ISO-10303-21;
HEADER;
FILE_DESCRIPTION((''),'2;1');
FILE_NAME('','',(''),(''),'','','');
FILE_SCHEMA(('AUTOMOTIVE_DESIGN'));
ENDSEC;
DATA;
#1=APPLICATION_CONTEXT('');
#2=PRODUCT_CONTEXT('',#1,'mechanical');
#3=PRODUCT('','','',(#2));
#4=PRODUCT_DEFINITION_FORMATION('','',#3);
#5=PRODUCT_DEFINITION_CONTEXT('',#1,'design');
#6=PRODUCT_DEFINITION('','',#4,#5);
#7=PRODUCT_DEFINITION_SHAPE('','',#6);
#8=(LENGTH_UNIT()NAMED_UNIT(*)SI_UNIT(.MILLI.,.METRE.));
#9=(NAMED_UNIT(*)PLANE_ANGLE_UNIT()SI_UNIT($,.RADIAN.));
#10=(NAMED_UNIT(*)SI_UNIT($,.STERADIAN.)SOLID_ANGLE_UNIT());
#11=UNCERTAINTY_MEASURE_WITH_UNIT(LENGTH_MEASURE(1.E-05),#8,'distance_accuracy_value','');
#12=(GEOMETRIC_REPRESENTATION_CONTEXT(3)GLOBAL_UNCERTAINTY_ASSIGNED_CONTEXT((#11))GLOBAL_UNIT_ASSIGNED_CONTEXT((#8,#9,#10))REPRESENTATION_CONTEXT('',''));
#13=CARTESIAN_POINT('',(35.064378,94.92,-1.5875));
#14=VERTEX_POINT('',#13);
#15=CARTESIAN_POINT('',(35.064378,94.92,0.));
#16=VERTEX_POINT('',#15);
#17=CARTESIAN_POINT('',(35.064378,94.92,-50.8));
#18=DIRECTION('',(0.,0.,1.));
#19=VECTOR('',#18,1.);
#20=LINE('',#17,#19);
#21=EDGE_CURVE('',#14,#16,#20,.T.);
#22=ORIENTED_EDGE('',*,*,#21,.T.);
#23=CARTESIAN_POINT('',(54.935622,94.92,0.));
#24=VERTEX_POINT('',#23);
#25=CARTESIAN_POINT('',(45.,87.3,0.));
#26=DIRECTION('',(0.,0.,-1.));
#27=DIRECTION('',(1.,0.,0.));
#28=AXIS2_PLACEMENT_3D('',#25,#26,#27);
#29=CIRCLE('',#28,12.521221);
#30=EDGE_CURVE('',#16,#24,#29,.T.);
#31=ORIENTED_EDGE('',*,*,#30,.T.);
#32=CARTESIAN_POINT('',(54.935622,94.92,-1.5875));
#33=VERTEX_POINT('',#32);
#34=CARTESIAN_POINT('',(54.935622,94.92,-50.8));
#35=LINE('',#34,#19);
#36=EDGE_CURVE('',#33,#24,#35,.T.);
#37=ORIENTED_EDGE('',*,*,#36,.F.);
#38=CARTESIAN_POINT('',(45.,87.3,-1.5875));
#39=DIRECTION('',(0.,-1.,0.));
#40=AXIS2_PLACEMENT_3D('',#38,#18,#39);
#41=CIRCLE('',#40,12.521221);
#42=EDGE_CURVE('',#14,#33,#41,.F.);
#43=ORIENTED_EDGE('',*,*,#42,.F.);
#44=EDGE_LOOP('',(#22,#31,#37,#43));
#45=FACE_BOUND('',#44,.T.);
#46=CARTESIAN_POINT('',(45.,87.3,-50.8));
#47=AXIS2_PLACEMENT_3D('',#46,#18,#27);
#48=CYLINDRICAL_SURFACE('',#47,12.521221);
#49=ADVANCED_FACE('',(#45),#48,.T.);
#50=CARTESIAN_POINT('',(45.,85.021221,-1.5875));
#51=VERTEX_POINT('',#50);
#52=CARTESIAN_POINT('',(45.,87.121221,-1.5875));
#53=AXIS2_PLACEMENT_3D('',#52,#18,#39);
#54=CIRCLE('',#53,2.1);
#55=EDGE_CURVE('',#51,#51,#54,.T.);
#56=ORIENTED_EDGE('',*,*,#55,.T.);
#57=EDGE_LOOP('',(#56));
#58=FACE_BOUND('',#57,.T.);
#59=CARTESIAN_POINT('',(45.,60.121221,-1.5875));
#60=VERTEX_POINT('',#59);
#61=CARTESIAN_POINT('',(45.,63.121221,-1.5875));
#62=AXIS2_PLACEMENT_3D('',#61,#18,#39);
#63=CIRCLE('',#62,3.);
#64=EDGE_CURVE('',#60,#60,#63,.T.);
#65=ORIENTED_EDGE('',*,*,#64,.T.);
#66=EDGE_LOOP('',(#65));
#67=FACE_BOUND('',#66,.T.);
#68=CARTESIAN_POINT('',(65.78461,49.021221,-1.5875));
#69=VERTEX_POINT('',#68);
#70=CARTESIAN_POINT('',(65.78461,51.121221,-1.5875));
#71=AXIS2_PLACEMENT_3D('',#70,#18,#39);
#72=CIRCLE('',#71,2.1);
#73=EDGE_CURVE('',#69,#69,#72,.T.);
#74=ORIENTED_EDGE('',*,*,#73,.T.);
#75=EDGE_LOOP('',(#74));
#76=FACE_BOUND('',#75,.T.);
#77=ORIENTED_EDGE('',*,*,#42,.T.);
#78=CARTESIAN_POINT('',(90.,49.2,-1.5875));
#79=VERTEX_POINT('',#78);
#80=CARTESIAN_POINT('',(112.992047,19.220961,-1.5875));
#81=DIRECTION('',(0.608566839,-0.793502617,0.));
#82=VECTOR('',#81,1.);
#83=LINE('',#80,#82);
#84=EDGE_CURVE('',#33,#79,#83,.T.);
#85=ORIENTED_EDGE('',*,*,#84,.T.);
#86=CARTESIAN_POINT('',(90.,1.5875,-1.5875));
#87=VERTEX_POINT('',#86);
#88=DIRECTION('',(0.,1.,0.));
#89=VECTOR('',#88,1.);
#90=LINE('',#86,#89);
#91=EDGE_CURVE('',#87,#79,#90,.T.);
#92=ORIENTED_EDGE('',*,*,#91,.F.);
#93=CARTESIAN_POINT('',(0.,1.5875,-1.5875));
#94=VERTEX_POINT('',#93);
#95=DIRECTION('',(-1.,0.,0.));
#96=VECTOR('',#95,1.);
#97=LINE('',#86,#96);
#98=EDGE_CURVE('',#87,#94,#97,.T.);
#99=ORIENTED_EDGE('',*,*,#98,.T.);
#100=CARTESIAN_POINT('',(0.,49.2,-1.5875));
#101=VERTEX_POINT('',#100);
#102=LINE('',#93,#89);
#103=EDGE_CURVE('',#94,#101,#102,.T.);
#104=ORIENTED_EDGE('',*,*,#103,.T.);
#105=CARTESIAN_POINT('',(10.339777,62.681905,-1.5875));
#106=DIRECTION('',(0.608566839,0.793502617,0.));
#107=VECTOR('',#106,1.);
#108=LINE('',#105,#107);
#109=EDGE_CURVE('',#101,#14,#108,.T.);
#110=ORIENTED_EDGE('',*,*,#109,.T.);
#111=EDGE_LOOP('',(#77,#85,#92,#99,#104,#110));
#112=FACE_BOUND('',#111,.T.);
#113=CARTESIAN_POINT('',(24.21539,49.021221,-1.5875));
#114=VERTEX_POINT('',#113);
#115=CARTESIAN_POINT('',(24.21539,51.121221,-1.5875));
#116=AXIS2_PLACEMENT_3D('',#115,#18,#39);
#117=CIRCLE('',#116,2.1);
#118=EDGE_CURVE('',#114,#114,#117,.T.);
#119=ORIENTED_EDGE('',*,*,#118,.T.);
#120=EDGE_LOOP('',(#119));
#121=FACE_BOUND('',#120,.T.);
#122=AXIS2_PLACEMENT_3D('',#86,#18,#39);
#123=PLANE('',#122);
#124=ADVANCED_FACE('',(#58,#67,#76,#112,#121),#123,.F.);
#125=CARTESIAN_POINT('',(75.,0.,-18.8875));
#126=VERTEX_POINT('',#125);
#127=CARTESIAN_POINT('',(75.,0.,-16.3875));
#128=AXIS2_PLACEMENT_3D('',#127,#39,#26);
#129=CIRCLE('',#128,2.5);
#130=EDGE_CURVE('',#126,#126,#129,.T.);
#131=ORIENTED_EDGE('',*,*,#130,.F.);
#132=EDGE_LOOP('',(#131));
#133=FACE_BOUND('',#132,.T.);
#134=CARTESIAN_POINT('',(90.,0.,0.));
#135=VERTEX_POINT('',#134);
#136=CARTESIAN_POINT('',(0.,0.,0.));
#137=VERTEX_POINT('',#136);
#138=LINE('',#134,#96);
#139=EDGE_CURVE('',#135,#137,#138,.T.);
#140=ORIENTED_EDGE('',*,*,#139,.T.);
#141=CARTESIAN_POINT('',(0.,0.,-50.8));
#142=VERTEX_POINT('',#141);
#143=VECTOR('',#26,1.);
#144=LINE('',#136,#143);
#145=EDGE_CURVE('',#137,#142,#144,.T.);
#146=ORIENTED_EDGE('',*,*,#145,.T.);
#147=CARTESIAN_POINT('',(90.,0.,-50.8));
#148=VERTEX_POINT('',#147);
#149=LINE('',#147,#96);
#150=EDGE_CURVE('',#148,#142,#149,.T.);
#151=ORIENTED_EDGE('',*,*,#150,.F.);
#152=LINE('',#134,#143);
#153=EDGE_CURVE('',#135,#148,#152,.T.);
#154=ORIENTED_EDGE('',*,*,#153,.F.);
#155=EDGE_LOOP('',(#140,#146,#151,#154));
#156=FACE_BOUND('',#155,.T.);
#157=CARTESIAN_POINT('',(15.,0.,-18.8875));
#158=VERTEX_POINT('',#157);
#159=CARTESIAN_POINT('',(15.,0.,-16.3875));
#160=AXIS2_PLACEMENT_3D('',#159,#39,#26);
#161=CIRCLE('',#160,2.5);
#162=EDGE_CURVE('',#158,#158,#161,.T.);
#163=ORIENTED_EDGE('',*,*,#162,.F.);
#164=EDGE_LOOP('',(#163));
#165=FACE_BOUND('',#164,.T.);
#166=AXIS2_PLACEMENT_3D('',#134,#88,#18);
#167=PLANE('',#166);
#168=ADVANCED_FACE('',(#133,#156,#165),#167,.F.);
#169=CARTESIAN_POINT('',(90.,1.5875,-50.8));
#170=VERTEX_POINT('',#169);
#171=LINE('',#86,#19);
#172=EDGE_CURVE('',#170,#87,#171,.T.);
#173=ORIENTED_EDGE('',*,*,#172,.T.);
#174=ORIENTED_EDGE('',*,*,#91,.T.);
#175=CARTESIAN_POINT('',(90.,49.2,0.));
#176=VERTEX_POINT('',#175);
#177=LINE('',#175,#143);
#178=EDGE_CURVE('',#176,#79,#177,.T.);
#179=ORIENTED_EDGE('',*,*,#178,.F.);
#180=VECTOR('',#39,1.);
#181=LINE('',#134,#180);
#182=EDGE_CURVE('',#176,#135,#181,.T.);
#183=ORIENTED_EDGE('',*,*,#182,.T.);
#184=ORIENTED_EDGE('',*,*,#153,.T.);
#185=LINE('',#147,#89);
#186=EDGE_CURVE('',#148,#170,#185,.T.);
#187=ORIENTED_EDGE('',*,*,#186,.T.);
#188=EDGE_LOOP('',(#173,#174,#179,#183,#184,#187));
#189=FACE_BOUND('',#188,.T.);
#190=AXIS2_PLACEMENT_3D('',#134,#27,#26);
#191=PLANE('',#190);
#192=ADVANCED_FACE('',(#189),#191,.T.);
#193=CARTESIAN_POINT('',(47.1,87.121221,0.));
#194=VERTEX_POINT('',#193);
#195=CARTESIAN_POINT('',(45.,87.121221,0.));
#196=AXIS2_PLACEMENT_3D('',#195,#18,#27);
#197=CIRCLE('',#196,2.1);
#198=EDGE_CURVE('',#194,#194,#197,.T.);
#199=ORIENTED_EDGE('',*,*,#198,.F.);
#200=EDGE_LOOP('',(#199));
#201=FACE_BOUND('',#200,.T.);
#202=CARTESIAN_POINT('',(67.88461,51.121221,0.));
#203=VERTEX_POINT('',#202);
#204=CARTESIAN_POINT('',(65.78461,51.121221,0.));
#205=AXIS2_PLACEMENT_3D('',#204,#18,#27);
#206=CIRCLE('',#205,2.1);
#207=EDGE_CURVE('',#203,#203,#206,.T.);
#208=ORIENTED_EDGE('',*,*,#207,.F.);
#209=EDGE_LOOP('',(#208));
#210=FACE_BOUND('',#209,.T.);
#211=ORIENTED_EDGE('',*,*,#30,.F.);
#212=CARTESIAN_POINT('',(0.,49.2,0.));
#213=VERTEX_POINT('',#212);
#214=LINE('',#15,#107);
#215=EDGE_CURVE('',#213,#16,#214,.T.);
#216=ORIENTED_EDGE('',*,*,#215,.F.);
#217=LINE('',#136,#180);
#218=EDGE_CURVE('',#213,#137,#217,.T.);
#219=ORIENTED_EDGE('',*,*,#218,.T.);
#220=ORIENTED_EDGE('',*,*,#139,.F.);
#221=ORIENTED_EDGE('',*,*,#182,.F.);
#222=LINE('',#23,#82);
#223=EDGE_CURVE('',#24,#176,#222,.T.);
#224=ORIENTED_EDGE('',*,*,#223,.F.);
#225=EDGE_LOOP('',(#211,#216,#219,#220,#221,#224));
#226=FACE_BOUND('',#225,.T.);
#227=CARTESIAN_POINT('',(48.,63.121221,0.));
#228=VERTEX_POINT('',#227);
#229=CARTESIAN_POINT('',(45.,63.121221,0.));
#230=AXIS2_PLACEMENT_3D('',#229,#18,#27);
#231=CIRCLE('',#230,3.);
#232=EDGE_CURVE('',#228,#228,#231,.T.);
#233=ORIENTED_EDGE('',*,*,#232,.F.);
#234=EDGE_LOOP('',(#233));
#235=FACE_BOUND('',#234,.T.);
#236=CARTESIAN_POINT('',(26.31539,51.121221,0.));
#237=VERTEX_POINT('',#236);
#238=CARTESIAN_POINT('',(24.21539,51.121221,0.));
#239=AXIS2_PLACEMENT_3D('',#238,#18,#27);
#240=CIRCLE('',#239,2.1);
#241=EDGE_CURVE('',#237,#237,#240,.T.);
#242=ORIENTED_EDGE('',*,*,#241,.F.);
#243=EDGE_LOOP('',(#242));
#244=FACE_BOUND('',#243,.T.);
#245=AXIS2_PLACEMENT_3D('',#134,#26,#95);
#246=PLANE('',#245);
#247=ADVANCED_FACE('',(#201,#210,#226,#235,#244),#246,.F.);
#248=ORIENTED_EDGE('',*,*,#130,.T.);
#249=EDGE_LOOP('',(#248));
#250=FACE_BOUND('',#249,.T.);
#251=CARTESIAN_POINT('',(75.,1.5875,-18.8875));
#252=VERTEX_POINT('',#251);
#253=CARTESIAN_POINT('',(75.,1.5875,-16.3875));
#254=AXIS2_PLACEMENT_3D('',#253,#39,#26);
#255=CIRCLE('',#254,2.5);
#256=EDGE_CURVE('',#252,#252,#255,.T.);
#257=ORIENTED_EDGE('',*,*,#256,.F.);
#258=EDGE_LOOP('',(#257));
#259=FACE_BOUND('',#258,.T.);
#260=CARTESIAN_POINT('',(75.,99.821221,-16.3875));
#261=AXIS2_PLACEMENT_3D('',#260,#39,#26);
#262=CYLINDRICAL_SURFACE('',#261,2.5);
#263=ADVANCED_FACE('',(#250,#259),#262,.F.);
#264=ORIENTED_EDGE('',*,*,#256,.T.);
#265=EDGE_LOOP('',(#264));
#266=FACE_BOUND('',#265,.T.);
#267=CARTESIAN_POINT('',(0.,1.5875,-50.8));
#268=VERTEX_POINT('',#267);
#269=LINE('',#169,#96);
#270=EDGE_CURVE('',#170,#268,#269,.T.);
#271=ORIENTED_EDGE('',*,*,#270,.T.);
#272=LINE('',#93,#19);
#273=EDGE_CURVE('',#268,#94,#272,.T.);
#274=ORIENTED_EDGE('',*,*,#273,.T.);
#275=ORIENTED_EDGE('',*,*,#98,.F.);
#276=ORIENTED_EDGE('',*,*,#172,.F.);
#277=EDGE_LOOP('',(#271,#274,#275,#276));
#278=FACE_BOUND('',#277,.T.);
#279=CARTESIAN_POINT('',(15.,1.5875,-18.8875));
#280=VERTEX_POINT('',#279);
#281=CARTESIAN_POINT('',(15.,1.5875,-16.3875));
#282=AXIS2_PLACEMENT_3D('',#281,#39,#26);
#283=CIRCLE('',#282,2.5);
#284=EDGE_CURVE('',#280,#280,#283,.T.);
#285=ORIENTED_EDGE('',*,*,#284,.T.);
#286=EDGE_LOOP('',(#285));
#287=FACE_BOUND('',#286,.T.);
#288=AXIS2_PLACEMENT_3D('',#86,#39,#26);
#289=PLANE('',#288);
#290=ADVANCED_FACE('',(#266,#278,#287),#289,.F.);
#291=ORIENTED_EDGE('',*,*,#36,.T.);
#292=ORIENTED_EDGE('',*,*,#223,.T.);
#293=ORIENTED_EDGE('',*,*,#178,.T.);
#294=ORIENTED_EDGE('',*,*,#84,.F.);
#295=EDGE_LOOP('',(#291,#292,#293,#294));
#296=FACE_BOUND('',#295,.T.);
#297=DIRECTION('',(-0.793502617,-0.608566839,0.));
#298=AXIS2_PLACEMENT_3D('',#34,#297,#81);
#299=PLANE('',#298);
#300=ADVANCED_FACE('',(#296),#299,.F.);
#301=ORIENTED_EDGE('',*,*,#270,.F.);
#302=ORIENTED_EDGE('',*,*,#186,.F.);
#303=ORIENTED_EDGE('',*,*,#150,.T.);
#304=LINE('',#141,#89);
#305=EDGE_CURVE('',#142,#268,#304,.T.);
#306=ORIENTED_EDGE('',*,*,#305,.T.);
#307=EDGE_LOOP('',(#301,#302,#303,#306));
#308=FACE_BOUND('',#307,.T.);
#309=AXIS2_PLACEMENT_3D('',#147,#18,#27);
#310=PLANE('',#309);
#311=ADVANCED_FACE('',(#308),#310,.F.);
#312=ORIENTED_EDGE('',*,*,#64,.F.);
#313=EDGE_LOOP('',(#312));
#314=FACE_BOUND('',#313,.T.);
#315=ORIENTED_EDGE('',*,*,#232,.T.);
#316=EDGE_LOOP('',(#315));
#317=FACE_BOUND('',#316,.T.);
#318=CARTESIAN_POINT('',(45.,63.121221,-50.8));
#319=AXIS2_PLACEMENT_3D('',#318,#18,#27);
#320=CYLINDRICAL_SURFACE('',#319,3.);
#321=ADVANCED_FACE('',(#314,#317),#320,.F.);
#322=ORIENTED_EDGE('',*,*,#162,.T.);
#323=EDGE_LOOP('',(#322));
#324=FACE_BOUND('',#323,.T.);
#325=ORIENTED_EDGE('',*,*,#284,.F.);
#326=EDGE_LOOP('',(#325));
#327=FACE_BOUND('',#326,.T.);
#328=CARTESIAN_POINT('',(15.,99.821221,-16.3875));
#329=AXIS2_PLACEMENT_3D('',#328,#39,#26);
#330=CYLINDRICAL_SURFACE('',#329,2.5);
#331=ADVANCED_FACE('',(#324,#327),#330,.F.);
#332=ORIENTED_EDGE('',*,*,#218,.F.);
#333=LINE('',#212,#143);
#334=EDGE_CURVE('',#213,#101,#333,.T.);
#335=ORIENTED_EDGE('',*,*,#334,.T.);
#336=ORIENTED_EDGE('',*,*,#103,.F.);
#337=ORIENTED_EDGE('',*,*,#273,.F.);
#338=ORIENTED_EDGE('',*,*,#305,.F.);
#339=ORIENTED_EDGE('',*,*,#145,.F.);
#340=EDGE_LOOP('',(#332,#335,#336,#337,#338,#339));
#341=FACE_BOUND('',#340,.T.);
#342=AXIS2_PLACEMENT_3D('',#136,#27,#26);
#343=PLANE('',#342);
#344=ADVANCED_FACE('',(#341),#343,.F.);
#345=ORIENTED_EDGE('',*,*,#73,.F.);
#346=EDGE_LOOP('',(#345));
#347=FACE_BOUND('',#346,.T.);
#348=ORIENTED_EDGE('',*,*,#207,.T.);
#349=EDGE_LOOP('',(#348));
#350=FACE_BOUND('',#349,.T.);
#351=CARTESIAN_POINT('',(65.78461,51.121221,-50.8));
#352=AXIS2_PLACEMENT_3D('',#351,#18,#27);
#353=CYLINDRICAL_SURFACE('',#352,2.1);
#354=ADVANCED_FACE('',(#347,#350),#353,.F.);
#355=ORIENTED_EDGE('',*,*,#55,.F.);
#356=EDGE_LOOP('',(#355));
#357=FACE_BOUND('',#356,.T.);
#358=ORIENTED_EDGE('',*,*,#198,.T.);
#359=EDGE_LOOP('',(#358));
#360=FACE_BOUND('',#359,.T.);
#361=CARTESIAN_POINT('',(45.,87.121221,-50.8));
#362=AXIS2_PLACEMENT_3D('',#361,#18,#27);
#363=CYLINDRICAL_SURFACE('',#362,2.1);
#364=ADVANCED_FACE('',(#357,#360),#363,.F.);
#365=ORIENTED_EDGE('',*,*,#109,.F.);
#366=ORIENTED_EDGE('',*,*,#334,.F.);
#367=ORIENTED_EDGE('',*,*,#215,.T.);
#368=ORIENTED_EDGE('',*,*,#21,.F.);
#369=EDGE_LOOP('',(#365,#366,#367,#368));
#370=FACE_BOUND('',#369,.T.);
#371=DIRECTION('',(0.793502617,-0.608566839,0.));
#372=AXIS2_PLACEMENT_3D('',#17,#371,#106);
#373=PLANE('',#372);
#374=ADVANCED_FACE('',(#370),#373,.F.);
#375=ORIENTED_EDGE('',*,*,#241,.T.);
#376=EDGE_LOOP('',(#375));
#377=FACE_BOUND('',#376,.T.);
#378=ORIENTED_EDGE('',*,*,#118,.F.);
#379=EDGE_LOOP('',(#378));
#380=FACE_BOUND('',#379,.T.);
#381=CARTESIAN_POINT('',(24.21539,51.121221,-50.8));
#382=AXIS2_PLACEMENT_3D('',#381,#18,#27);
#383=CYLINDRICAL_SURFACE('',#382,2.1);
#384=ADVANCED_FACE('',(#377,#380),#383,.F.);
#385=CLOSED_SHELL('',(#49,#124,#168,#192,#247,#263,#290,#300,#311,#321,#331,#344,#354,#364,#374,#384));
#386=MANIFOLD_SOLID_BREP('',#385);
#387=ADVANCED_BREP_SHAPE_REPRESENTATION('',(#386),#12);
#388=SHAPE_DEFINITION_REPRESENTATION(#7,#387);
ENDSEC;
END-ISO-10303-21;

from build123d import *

# Parameters (mm, degrees)
BOSS_EXTRUDE1_DEPTH = 90
CUT_EXTRUDE1_DEPTH  = 51.8
SKETCH3_R           = 2.1
SKETCH3_R_2         = 3
CUT_EXTRUDE2_DEPTH  = 51.8
SKETCH4_R           = 2.5
CUT_EXTRUDE3_DEPTH  = 100.821221194


with BuildPart() as part:
    # Sketch1 → Boss-Extrude1 (new body)
    with BuildSketch(Plane(origin=(0, 0, 0), x_dir=(0, 0, -1), z_dir=(1, 0, 0))):
        Polygon((0, 0), (0, 100), (1.5875, 100), (1.5875, 1.5875), (50.8, 1.5875), (50.8, 0), align=None)
    extrude(amount=BOSS_EXTRUDE1_DEPTH)

    # Sketch2 → Cut-Extrude1 (cut, through all)
    with BuildSketch(Plane.XY):
        with BuildLine():
            Line((35.064378218, 94.92), (0, 49.2))
            Line((0, 49.2), (0, 100))
            Line((0, 100), (90, 100))
            Line((90, 100), (90, 49.2))
            Line((90, 49.2), (54.935621782, 94.92))
            ThreePointArc((54.935621782, 94.92), (45, 99.821221194), (35.064378218, 94.92))
        make_face()
    extrude(amount=-CUT_EXTRUDE1_DEPTH, mode=Mode.SUBTRACT)

    # Sketch3 → Cut-Extrude2 (cut, through all)
    with BuildSketch(Plane.XY):
        with Locations((45, 87.121221194)):
            Circle(SKETCH3_R)
        with Locations((65.784609691, 51.121221194)):
            Circle(SKETCH3_R)
        with Locations((24.215390309, 51.121221194)):
            Circle(SKETCH3_R)
        with Locations((45, 63.121221194)):
            Circle(SKETCH3_R_2)
    extrude(amount=-CUT_EXTRUDE2_DEPTH, mode=Mode.SUBTRACT)

    # Sketch4 → Cut-Extrude3 (cut, through all)
    with BuildSketch(Plane.XZ):
        with Locations((15, -16.3875)):
            Circle(SKETCH4_R)
        with Locations((75, -16.3875)):
            Circle(SKETCH4_R)
    extrude(amount=-CUT_EXTRUDE3_DEPTH, mode=Mode.SUBTRACT)


solid = part.part
